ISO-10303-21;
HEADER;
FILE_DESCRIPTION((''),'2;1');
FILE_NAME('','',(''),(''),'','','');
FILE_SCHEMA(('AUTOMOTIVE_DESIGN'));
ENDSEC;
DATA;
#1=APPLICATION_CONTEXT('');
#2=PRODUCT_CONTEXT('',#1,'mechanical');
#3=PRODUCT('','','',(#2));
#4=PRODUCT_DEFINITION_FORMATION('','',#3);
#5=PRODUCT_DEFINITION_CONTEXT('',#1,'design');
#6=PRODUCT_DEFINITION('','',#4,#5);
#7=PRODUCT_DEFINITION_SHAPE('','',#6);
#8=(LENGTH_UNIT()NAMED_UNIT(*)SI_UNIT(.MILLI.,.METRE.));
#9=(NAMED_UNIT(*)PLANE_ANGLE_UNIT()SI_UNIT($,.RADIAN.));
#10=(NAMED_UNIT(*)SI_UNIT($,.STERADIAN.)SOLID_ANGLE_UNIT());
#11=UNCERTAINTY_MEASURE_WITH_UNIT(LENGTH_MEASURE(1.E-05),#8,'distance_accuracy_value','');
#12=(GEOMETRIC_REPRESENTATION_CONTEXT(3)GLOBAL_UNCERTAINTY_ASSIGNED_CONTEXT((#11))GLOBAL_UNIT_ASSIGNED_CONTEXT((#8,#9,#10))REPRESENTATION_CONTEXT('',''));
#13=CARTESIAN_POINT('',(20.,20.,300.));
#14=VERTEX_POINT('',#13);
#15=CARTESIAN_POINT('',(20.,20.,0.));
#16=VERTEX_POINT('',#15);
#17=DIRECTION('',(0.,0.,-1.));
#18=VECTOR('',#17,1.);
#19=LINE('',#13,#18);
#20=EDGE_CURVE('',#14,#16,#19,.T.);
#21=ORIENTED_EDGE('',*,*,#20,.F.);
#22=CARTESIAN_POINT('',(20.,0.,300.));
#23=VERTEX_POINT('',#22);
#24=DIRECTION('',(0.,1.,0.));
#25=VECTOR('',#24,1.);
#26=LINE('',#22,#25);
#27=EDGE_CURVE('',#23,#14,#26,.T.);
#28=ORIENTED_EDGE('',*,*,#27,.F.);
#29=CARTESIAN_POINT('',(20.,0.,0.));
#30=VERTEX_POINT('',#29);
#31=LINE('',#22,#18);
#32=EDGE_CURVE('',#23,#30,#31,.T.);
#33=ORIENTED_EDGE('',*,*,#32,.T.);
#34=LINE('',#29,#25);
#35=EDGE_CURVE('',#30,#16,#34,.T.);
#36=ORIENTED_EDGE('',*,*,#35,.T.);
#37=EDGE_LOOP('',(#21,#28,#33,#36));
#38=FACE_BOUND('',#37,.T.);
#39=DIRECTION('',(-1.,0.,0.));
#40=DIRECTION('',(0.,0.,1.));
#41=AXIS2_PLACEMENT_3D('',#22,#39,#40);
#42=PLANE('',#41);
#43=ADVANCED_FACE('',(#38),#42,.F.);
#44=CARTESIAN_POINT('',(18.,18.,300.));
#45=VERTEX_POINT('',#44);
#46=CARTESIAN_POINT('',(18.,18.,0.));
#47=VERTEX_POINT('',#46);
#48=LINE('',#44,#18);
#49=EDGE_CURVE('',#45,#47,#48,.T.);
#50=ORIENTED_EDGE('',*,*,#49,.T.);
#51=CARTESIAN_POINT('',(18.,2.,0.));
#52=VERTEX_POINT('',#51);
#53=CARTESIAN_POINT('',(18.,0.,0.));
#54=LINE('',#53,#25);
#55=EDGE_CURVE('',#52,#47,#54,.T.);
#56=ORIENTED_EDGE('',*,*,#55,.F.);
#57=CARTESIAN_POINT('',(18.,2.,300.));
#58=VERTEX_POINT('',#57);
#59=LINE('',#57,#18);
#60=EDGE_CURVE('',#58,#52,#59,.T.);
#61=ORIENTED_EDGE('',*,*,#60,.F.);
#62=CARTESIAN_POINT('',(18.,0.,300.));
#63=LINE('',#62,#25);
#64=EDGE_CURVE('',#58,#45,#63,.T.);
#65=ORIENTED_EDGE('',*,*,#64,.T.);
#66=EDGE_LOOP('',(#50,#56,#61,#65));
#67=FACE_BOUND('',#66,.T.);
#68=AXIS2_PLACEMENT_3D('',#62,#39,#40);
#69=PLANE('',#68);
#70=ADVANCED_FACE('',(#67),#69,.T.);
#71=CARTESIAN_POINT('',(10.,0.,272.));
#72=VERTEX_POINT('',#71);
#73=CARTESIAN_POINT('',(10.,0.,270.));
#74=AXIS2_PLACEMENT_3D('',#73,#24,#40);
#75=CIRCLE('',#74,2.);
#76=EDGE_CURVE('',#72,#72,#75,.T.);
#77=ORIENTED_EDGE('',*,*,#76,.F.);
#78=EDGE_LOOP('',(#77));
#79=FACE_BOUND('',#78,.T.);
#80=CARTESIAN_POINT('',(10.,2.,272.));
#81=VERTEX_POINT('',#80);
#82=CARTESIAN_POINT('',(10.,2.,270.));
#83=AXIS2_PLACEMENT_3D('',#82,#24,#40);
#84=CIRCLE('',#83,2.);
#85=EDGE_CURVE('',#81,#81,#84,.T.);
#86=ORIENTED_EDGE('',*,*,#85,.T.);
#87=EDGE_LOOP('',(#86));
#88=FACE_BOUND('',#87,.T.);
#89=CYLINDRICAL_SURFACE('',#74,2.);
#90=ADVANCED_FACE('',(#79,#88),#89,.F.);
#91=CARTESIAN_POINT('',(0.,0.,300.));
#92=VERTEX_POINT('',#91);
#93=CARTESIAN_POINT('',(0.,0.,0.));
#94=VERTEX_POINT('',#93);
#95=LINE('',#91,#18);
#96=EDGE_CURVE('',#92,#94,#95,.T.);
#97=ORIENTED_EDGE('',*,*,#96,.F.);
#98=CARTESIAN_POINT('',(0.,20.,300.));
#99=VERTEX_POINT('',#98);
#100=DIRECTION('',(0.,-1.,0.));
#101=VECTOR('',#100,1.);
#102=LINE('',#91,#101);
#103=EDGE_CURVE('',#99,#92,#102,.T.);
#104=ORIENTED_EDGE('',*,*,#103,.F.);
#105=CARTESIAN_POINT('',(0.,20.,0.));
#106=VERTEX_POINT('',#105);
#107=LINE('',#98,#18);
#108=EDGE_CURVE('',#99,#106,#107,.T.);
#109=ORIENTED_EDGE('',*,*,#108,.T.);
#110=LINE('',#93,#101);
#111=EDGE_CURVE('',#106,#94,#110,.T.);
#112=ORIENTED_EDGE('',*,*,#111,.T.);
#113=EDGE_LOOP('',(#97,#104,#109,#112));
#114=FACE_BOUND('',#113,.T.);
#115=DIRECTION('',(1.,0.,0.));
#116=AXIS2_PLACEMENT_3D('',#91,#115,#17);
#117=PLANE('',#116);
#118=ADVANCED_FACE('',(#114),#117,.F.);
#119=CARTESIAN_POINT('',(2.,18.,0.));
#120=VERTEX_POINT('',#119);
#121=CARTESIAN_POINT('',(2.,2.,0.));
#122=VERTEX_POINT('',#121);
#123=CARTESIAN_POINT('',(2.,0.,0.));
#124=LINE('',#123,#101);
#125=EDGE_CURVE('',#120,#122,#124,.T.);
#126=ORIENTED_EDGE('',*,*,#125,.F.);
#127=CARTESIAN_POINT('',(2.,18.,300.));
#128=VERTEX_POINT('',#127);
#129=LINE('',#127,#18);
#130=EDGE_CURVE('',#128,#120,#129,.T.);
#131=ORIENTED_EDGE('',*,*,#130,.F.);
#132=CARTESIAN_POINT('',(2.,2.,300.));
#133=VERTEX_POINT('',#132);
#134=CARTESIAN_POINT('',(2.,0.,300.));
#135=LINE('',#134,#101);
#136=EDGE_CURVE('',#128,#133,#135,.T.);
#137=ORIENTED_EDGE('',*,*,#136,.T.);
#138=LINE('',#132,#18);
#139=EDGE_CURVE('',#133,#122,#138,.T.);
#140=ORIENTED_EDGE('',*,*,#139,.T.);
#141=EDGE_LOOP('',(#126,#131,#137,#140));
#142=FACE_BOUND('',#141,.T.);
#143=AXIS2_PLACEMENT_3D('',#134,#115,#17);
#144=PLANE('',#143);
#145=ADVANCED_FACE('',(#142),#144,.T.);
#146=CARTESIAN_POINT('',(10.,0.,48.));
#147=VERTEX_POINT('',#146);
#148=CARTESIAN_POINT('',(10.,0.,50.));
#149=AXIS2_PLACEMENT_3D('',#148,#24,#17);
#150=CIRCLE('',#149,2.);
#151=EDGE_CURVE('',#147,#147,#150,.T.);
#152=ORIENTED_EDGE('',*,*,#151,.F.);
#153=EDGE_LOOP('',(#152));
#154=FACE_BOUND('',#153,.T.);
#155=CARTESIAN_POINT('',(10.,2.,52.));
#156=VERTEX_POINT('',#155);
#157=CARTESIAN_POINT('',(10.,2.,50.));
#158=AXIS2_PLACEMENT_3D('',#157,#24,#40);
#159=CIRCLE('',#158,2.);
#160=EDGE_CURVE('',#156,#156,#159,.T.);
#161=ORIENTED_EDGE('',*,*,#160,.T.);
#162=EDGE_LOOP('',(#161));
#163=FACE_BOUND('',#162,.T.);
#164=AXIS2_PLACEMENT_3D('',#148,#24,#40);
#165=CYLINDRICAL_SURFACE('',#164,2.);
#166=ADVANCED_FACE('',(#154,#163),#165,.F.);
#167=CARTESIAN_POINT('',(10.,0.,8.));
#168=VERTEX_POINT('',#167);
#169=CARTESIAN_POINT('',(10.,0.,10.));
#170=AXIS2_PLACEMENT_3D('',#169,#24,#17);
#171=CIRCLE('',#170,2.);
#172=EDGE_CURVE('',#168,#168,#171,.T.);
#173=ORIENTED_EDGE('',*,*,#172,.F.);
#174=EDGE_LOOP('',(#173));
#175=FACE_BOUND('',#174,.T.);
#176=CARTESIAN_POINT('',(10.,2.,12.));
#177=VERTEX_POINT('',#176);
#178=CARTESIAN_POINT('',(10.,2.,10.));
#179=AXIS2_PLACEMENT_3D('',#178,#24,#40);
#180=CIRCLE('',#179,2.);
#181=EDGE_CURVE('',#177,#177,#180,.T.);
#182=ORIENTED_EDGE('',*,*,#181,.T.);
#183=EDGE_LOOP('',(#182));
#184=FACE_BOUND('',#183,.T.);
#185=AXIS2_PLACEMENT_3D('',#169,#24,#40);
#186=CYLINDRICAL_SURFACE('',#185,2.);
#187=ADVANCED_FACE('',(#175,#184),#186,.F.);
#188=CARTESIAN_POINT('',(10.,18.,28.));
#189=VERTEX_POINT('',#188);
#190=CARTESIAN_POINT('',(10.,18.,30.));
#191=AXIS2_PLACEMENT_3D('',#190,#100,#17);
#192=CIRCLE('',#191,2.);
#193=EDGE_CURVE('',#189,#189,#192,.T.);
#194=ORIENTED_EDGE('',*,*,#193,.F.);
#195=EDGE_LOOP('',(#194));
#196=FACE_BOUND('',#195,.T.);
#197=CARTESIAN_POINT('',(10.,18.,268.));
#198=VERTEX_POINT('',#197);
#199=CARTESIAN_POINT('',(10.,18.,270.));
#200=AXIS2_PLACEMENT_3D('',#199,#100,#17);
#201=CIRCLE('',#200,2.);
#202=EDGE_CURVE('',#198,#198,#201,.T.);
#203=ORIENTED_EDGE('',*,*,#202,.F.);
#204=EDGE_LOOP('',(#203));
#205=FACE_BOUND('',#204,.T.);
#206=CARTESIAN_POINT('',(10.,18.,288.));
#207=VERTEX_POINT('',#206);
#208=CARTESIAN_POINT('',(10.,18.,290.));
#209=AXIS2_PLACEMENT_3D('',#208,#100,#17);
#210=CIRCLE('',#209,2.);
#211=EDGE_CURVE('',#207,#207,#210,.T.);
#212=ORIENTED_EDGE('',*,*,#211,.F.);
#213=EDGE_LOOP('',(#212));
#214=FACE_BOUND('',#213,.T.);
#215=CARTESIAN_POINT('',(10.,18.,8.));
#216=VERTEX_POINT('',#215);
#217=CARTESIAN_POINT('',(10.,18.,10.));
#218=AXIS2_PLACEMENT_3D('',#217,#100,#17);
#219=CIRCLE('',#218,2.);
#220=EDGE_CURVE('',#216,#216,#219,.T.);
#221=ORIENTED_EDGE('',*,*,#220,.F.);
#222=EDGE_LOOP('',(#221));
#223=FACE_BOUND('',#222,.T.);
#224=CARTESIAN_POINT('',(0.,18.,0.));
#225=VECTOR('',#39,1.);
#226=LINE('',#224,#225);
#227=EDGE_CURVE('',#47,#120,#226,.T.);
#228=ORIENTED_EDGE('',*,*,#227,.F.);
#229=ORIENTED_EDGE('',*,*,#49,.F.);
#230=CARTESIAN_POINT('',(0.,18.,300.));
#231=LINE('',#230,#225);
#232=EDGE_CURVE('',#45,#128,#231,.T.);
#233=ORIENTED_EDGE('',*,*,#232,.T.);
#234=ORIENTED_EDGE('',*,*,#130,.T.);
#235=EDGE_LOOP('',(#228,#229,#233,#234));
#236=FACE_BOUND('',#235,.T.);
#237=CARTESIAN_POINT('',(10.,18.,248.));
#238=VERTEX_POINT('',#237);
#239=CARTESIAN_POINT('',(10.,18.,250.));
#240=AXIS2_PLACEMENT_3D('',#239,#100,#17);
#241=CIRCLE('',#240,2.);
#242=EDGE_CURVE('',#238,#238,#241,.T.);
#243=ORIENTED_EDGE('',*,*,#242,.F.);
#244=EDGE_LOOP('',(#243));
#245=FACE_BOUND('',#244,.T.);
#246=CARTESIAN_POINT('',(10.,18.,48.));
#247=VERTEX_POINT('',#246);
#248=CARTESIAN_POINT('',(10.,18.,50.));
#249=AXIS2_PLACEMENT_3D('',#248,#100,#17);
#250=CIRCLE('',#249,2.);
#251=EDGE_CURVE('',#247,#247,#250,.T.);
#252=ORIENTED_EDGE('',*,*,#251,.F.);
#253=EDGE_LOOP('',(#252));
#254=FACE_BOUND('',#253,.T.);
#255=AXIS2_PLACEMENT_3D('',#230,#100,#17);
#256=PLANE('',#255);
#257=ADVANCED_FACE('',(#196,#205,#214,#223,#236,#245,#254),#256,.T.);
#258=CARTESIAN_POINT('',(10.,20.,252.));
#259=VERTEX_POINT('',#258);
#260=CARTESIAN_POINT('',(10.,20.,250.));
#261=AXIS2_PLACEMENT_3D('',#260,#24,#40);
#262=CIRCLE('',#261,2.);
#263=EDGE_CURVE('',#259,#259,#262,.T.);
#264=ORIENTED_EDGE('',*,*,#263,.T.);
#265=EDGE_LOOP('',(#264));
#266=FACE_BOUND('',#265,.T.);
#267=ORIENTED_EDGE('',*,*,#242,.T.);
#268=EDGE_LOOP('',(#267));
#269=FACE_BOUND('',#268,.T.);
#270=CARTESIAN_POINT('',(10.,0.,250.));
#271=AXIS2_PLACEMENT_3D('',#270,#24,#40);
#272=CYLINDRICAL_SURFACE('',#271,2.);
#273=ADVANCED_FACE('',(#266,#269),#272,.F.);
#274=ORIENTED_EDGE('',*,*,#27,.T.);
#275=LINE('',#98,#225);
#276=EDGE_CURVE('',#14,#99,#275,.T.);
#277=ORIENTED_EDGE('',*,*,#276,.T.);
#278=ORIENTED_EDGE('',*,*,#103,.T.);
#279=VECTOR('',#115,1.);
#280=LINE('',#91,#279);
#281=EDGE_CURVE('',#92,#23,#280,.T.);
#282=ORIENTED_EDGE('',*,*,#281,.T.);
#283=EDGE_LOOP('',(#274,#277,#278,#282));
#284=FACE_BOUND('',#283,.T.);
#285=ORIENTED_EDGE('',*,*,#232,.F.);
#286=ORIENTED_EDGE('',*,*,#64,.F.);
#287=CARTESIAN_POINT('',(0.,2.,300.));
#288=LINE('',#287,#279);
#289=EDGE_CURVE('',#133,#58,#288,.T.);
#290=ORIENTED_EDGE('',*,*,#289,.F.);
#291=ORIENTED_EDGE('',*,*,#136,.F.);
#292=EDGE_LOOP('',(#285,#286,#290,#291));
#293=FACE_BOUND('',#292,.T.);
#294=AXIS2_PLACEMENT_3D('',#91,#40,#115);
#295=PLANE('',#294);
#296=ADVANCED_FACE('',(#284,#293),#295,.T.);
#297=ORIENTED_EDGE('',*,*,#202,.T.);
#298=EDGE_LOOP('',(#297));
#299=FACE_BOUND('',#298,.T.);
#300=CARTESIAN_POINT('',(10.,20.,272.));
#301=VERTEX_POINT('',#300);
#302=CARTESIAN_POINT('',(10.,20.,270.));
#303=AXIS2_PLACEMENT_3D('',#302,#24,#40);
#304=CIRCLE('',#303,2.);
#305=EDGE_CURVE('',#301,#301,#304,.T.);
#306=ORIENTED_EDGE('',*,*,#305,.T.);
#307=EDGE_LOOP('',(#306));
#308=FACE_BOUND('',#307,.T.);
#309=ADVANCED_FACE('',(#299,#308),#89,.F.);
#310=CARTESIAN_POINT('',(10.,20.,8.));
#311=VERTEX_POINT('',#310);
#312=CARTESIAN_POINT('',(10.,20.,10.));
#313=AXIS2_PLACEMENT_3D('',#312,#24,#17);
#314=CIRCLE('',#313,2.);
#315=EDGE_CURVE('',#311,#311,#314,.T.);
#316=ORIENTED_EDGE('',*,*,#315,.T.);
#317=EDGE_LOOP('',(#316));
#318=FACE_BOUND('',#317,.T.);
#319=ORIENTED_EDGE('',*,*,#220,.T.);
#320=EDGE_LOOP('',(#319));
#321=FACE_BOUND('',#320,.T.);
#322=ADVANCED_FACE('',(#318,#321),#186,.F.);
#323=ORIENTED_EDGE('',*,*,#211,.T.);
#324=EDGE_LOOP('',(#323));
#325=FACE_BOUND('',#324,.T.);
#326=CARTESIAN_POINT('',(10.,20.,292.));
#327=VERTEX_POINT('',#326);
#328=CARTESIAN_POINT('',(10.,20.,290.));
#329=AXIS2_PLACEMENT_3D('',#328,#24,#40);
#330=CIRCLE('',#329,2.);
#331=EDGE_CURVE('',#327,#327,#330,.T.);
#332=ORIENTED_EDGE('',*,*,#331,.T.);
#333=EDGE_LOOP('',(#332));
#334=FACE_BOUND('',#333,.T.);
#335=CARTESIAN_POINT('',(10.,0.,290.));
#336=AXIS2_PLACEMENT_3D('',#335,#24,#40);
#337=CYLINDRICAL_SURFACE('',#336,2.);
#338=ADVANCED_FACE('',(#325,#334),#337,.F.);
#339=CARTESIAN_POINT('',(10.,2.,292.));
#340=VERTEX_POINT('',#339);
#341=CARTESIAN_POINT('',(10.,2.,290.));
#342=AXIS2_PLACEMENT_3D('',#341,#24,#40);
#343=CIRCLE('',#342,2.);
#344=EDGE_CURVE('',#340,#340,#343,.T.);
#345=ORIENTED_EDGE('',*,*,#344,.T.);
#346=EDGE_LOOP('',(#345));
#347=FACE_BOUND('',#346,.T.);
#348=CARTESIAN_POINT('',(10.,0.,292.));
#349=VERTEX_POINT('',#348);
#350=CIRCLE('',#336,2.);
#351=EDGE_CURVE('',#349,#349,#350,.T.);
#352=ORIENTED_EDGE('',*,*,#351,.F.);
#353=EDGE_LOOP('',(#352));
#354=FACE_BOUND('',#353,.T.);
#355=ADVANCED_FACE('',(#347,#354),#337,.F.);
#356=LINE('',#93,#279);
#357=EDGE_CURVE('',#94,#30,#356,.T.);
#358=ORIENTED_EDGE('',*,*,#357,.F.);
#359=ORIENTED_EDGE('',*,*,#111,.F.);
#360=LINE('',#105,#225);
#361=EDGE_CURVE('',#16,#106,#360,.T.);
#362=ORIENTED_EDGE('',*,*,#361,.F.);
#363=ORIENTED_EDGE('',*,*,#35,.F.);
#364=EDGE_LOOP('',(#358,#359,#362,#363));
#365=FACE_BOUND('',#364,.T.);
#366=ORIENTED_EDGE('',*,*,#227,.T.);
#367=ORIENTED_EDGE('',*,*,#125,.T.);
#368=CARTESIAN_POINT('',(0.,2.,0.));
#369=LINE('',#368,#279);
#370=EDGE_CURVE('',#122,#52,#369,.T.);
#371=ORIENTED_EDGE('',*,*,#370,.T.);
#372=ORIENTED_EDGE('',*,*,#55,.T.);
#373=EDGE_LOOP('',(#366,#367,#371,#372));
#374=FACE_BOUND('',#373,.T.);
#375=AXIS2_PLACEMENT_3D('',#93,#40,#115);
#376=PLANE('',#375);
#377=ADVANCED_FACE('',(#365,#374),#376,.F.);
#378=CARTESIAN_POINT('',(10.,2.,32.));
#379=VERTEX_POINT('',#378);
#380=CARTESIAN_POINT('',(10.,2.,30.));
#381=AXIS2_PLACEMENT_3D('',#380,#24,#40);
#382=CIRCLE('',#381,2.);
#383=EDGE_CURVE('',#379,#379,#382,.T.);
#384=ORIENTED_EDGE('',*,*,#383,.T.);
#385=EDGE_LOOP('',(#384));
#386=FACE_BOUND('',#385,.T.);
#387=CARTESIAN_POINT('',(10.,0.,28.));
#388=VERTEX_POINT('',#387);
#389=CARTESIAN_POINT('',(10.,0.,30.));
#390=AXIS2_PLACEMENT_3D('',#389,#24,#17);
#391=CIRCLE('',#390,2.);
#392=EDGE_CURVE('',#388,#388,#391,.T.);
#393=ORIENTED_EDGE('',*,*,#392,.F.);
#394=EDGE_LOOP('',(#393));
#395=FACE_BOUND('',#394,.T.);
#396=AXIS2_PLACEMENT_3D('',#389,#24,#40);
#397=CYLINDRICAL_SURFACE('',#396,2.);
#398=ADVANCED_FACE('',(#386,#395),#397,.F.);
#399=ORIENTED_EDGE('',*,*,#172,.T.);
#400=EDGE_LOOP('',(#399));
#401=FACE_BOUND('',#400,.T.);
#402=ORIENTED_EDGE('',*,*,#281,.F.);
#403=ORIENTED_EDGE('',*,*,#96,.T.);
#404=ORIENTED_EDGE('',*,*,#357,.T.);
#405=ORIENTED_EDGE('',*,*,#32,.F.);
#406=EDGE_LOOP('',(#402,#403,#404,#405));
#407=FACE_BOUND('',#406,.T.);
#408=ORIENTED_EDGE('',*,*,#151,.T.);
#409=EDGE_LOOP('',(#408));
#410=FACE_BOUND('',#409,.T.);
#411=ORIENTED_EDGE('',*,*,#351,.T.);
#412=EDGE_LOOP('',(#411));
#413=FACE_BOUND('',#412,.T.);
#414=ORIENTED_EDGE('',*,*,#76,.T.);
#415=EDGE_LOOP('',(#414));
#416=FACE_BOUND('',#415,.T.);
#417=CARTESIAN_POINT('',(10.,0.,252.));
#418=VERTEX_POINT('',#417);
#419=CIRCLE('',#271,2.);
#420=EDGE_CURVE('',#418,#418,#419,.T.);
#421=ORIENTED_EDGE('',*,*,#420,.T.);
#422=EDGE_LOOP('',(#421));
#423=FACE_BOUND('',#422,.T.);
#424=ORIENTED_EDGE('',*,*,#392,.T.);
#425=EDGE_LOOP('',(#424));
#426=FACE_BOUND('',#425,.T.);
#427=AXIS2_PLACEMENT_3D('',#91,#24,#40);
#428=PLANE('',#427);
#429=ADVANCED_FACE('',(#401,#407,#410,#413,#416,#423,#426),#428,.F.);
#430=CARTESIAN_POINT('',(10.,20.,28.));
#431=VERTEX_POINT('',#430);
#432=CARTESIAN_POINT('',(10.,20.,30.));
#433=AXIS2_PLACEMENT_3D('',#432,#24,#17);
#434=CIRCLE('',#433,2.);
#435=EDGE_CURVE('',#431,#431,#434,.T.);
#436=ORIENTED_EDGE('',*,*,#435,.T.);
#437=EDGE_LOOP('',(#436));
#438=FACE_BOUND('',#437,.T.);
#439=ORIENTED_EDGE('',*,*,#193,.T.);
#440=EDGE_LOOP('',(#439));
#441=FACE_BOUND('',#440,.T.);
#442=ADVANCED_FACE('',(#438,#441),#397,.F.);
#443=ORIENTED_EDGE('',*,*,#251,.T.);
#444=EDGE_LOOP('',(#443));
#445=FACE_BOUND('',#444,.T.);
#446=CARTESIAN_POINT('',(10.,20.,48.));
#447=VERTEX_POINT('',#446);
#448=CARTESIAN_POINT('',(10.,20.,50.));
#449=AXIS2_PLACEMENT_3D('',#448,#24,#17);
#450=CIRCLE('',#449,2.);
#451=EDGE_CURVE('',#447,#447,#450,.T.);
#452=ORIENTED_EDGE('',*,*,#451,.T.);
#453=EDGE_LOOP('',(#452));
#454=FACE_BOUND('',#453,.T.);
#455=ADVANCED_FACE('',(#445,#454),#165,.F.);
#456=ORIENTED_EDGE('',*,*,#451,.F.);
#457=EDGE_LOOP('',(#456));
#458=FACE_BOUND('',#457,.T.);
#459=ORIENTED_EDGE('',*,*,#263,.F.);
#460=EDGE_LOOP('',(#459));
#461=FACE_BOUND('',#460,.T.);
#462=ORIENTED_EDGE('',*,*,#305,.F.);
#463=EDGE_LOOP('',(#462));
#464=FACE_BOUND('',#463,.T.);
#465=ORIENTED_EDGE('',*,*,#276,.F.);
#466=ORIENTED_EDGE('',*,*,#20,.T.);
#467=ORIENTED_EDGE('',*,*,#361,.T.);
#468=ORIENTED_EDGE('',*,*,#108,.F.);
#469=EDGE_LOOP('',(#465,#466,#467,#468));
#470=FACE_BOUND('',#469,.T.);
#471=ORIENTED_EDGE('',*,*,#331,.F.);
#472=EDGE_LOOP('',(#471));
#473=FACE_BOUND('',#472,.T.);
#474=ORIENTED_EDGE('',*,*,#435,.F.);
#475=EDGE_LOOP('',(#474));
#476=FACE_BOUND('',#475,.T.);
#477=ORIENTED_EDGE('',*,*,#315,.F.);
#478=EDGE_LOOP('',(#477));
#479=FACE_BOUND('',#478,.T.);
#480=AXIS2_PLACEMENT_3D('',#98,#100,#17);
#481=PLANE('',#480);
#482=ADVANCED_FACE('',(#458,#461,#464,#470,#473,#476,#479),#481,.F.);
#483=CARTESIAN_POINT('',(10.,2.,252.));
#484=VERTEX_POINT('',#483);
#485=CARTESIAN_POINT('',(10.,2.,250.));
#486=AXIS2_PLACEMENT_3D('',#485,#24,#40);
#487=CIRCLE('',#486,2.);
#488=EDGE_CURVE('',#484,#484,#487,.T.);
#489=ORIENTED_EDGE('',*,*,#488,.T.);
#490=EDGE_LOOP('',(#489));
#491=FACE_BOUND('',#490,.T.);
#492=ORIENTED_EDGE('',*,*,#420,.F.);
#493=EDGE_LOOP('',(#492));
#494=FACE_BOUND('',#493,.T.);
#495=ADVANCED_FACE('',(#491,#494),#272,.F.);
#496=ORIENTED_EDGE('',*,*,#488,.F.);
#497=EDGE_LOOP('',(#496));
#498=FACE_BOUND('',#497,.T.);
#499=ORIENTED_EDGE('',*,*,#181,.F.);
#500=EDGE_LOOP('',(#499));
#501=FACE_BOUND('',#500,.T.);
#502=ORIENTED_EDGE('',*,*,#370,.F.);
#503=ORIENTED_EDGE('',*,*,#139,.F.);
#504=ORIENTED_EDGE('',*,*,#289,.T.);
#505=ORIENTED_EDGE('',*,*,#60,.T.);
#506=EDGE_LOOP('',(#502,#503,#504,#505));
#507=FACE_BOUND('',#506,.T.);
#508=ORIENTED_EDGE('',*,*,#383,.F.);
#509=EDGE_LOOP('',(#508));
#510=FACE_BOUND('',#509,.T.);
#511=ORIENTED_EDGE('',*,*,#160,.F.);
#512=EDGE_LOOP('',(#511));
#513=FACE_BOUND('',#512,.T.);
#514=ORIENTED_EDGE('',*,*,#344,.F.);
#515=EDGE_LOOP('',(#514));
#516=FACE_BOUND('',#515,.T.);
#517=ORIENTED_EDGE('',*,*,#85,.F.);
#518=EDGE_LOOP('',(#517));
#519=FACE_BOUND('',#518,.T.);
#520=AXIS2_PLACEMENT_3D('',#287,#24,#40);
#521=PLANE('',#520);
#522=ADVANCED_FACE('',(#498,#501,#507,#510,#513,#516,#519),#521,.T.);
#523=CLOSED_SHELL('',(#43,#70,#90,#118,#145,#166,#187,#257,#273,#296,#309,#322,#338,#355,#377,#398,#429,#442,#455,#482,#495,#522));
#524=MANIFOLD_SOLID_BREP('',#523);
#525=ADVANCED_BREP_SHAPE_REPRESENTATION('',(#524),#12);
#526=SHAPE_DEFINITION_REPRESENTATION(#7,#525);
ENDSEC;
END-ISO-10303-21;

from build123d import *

# Parameters (mm, degrees)
SKETCH_1_W          = 20
SKETCH_1_H          = 20
SKETCH_1_W_2        = 16
SKETCH_1_H_2        = 16
EXTRUDE_1_DEPTH     = 300
SKETCH_2_R          = 2
CUT_EXTRUDE_1_DEPTH = 302.330383466


with BuildPart() as part:
    # 草图1 → 拉伸-薄壁1 (new body)
    with BuildSketch(Plane.XY):
        with Locations((10, 10)):
            Rectangle(SKETCH_1_W, SKETCH_1_H)
        with Locations((10, 10)):
            Rectangle(SKETCH_1_W_2, SKETCH_1_H_2, mode=Mode.SUBTRACT)
    extrude(amount=EXTRUDE_1_DEPTH)

    # 草图2 → 切除-拉伸1 (cut, through all)
    with BuildSketch(Plane(origin=(0, 20, 0), x_dir=(1, 0, 0), z_dir=(0, 1, 0))):
        with Locations(Location((10, -290, 0), (0, 0, 270))):
            Circle(SKETCH_2_R)
        with Locations(Location((10, -270, 0), (0, 0, 270))):
            Circle(SKETCH_2_R)
        with Locations(Location((10, -250, 0), (0, 0, 270))):
            Circle(SKETCH_2_R)
        with Locations(Location((10, -10, 0), (0, 0, 90))):
            Circle(SKETCH_2_R)
        with Locations(Location((10, -30, 0), (0, 0, 90))):
            Circle(SKETCH_2_R)
        with Locations(Location((10, -50, 0), (0, 0, 90))):
            Circle(SKETCH_2_R)
    extrude(amount=-CUT_EXTRUDE_1_DEPTH, mode=Mode.SUBTRACT)


solid = part.part
